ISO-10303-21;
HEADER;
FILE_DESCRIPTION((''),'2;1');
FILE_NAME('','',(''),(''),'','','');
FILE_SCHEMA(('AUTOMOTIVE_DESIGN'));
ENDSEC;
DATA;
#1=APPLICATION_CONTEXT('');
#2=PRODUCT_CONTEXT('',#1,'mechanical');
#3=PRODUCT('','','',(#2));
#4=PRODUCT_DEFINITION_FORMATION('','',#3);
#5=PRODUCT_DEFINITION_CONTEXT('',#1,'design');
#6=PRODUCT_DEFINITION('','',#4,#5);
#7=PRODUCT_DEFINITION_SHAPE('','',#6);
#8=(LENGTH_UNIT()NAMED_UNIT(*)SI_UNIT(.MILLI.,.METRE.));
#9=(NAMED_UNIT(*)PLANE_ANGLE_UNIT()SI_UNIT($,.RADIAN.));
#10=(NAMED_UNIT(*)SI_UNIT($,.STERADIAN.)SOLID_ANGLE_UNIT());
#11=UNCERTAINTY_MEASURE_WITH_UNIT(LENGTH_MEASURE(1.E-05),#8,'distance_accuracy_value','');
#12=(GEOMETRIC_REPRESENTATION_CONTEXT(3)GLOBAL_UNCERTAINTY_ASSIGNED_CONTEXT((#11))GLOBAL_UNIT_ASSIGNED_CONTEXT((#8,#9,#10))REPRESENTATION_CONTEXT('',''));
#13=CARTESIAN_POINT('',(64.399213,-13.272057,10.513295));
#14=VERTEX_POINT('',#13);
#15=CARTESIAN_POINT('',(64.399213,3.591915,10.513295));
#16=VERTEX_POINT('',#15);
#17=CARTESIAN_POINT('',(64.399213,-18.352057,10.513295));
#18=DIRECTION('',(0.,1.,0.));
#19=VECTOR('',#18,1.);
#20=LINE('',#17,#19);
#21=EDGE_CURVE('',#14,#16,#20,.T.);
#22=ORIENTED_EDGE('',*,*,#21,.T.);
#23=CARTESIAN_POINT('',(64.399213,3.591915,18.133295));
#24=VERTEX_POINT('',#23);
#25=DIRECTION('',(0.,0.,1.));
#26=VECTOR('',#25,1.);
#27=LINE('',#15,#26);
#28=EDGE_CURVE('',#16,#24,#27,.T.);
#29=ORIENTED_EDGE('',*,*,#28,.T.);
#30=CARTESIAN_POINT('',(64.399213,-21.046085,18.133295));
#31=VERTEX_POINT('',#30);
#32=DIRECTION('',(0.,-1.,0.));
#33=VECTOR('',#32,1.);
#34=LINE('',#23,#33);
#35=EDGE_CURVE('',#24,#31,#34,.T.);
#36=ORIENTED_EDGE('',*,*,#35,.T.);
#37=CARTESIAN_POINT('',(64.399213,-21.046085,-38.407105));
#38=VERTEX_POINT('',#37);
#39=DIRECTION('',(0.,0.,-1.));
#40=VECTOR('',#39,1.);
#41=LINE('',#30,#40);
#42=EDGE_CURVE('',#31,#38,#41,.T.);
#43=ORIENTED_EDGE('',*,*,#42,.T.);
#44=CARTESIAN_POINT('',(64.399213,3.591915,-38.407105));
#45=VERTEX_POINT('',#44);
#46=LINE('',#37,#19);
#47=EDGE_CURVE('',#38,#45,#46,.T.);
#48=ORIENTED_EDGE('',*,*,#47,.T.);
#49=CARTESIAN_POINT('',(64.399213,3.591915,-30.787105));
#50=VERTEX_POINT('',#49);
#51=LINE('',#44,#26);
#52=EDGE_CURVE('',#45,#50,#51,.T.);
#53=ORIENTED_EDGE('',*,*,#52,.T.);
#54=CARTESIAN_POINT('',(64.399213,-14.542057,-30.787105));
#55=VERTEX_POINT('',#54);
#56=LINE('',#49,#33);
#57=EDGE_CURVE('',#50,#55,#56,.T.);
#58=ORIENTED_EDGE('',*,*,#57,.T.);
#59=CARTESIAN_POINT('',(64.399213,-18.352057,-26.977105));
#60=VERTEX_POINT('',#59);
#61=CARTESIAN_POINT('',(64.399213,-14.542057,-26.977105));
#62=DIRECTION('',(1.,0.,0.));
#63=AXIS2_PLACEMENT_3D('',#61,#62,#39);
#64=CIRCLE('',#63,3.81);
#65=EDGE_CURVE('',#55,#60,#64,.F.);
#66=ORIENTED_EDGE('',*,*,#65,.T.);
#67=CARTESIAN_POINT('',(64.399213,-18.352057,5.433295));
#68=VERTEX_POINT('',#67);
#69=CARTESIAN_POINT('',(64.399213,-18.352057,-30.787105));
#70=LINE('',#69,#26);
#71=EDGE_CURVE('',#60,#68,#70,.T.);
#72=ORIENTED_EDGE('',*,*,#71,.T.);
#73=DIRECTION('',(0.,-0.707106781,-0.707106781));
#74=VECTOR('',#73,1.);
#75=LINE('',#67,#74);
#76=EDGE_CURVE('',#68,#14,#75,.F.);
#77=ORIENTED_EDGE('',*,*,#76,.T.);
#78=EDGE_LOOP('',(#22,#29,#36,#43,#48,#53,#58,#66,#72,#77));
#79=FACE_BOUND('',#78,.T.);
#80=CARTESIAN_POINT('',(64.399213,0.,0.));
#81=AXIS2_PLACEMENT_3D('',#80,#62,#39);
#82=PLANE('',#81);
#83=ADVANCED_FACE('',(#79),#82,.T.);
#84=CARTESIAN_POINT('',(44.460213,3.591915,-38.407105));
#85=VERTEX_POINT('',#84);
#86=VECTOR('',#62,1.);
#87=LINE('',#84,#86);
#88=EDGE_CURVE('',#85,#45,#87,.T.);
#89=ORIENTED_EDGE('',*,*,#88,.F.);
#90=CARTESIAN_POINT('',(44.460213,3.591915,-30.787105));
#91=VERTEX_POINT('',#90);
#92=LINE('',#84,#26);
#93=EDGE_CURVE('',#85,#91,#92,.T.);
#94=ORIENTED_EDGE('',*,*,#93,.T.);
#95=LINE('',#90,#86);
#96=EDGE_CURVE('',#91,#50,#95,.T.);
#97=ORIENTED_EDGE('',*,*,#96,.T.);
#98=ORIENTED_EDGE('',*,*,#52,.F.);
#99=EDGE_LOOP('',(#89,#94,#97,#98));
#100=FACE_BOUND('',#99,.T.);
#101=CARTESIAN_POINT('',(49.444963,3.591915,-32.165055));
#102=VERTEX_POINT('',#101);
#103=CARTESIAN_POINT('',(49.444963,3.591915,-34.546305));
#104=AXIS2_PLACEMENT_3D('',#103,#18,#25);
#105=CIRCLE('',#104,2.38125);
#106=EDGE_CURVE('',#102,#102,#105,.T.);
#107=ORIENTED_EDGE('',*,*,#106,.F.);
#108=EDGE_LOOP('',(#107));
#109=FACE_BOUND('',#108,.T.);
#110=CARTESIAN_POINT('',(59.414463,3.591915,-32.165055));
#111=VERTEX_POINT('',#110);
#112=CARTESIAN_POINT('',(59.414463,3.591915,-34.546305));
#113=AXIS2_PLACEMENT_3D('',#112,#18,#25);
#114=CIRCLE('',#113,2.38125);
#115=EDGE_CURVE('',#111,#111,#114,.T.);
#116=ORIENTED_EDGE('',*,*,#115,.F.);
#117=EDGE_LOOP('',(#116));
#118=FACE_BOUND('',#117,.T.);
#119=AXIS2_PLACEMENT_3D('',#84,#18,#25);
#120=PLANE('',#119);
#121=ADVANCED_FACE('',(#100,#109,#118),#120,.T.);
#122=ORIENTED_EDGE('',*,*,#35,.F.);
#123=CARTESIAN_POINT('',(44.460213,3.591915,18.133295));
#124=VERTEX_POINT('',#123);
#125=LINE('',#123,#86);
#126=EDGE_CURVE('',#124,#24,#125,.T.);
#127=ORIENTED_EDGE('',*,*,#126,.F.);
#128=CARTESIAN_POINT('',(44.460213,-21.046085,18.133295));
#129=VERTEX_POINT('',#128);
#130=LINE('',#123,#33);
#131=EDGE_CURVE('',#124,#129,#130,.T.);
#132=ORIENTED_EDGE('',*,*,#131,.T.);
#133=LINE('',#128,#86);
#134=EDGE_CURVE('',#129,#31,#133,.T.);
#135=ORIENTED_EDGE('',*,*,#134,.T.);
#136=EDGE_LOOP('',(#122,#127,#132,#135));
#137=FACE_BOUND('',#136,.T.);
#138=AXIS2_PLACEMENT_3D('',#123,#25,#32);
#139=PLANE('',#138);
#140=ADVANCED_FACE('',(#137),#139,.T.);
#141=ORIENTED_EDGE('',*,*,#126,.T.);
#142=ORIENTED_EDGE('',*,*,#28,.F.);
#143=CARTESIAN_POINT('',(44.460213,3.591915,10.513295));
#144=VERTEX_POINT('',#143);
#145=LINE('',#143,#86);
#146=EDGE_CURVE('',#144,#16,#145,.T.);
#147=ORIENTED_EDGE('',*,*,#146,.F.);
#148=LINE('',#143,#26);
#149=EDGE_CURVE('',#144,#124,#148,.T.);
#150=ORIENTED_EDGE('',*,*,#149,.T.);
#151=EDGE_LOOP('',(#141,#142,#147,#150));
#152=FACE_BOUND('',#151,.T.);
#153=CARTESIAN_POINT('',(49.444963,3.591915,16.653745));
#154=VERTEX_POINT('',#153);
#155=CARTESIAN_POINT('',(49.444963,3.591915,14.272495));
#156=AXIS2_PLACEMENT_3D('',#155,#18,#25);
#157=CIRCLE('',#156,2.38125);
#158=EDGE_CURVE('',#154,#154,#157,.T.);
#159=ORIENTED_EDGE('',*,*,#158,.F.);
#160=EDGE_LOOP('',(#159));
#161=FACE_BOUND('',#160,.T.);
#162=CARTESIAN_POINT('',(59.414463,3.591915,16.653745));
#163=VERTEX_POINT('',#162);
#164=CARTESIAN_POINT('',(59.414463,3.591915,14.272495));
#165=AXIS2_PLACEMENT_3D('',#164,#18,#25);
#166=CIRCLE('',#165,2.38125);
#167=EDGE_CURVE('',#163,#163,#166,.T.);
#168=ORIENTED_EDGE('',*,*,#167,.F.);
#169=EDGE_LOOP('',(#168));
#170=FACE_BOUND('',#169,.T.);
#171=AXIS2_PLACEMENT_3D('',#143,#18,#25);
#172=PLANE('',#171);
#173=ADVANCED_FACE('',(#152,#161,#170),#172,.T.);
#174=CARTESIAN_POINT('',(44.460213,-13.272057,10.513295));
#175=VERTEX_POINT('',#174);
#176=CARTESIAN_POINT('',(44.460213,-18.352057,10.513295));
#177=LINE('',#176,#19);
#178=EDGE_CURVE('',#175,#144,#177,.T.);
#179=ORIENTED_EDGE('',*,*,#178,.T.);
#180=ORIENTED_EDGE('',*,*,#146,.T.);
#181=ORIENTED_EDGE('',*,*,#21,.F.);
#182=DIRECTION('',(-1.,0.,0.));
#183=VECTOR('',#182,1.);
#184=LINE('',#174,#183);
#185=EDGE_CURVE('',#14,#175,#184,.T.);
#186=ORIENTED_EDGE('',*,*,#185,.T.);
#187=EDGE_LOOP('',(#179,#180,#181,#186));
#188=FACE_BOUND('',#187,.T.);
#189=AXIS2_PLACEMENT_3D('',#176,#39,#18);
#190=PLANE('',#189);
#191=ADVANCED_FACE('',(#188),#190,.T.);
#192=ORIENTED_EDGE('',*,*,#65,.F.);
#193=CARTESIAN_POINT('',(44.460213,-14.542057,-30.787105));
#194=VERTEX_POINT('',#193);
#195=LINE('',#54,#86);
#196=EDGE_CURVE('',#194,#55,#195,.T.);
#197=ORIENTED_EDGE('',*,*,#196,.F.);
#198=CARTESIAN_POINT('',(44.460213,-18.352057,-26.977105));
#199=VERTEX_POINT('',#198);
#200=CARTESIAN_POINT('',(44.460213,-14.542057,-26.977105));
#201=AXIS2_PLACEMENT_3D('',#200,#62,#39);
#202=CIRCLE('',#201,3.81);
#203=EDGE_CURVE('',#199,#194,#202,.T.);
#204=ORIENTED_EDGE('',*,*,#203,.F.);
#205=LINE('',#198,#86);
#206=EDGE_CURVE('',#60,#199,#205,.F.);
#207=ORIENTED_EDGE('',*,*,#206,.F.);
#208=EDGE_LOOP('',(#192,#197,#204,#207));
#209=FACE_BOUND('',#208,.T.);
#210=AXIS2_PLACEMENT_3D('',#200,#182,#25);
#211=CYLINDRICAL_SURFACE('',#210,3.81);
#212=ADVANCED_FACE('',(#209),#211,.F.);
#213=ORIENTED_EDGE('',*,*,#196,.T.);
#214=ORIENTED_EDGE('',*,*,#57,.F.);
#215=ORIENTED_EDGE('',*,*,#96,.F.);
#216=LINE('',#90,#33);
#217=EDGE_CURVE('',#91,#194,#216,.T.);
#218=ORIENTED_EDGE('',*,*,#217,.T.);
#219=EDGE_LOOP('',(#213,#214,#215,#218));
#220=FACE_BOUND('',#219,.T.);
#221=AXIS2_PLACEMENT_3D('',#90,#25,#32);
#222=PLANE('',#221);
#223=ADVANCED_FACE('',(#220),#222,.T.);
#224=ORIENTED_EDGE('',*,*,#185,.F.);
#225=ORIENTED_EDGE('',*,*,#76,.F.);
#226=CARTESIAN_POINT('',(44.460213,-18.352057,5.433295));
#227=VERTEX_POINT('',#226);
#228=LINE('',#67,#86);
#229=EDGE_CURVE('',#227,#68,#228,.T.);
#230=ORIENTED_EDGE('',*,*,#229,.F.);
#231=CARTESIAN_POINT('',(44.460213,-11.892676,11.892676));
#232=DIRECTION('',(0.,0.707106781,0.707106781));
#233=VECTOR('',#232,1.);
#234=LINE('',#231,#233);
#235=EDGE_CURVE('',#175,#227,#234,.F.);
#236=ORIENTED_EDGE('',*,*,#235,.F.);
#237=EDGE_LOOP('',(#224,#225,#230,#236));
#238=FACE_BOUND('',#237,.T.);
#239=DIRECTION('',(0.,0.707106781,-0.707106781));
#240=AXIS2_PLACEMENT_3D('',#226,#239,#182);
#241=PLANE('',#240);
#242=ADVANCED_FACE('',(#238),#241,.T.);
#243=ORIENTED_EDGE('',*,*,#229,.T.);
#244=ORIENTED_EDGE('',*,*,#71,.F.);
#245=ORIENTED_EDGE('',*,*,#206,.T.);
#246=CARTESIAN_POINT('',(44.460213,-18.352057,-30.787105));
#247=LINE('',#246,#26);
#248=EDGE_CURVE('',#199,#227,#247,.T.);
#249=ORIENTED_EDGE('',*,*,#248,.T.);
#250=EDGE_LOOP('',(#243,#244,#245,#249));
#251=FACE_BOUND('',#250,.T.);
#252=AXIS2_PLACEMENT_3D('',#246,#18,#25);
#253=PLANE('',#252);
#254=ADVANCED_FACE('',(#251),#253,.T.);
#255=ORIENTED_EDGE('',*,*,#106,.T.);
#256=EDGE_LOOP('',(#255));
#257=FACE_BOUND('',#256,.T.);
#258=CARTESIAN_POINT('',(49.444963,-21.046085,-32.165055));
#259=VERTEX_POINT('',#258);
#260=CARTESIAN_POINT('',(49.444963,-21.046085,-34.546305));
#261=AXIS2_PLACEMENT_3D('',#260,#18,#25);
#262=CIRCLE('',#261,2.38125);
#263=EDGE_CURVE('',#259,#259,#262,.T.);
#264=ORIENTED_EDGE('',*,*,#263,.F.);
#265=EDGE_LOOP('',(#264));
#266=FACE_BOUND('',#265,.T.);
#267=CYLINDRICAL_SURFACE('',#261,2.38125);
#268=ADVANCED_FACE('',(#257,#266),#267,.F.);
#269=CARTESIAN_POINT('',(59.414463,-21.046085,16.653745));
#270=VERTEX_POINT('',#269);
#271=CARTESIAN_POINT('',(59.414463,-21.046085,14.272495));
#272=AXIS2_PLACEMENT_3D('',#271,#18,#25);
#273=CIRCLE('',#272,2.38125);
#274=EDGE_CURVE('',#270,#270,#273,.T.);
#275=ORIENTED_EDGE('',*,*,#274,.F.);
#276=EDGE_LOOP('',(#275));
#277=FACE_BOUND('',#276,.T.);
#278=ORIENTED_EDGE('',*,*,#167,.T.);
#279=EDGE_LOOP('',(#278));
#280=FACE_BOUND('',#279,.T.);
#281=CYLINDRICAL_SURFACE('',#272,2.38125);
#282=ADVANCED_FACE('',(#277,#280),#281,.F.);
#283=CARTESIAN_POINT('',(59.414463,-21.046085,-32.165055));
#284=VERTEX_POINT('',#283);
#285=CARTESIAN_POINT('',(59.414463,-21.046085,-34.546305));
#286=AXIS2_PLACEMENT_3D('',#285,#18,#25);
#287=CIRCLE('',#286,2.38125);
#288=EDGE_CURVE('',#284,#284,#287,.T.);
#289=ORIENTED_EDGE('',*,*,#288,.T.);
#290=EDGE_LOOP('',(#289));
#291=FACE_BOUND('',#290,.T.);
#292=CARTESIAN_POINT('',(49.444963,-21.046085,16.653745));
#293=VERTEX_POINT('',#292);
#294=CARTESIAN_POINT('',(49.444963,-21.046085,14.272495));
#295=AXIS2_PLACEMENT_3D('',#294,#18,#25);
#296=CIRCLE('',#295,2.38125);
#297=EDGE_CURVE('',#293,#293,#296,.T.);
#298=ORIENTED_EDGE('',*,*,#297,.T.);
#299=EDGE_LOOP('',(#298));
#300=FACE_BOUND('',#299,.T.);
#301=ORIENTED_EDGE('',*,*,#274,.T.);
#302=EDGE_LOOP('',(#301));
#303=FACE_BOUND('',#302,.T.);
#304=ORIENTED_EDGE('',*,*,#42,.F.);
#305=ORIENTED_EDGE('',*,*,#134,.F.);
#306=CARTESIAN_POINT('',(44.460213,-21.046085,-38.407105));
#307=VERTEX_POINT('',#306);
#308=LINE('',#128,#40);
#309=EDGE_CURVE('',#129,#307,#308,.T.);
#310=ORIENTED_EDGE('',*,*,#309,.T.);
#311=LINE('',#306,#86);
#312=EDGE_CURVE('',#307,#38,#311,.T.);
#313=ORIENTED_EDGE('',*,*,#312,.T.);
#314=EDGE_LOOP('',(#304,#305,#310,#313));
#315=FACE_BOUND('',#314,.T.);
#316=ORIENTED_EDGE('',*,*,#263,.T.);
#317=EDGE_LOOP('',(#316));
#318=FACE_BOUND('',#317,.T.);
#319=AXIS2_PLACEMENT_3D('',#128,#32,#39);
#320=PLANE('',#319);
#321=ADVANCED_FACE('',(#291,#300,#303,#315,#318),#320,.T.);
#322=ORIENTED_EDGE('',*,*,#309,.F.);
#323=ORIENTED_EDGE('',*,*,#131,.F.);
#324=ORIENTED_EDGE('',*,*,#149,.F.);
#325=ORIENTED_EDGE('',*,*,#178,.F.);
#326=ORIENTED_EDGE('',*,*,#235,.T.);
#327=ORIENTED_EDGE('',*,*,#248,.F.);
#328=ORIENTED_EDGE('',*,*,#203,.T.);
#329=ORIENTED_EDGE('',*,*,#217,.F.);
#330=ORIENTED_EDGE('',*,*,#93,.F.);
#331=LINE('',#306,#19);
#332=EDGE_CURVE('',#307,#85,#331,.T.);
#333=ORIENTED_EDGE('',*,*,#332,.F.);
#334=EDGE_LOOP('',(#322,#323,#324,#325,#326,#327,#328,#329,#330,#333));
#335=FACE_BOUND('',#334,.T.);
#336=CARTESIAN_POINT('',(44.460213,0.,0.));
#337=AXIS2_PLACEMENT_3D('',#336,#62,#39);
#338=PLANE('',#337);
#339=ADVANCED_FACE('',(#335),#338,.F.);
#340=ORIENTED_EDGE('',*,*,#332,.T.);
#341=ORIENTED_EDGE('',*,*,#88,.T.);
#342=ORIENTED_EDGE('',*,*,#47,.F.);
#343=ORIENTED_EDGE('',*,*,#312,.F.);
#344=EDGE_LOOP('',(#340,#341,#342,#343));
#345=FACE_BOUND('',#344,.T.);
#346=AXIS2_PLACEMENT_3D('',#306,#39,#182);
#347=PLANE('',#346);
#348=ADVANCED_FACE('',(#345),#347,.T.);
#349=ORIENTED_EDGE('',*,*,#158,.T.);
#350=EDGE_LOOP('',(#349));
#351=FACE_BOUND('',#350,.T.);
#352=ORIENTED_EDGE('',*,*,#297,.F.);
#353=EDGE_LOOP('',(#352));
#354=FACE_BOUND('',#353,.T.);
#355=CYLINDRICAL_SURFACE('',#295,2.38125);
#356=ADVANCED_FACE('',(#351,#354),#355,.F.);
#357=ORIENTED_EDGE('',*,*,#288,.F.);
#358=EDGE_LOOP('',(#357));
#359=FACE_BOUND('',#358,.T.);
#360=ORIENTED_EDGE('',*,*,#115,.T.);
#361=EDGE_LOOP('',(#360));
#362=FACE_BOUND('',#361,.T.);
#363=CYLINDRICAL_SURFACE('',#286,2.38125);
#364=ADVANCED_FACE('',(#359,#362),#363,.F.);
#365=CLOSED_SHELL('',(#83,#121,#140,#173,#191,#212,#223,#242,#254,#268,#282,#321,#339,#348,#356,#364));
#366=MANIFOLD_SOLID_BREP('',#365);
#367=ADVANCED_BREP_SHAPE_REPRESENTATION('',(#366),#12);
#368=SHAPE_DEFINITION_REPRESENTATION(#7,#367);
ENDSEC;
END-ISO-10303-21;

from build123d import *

# Parameters (mm, degrees)
BOSS_EXTRUDE3_START     = 44.460213
BOSS_EXTRUDE3_DEPTH     = 19.939
CHAMFER2_SIZE           = 5.08
FILLET2_R               = 3.81
SKETCH4_R               = 2.38125
CUT_EXTRUDE1_DEPTH      = 4.591914717
CUT_EXTRUDE1_DEPTH_BACK = 22.046085283


with BuildPart() as part:
    # Sketch3 → Boss-Extrude3 (new body)
    with BuildSketch(Plane(origin=(0, 0, 0), x_dir=(0, 0, -1), z_dir=(1, 0, 0)).offset(BOSS_EXTRUDE3_START)):
        Polygon((30.787104637, 3.591914717), (30.787104637, -18.352057258), (-10.513295363, -18.352057258), (-10.513295363, 3.591914717), (-18.133295363, 3.591914717), (-18.133295363, -21.046085283), (38.407104637, -21.046085283), (38.407104637, 3.591914717), align=None)
    extrude(amount=BOSS_EXTRUDE3_DEPTH)

    # Chamfer2
    chamfer2_edges = [part.edges().sort_by_distance(p)[0] for p in [
        (54.429713, -18.352057258, 10.513295363),
    ]]
    chamfer(chamfer2_edges, length=CHAMFER2_SIZE)

    # Fillet2
    fillet2_edges = [part.edges().sort_by_distance(p)[0] for p in [
        (54.429713, -18.352057258, -30.787104637),
    ]]
    fillet(fillet2_edges, radius=FILLET2_R)

    # Sketch4 → Cut-Extrude1 (cut, two sides)
    with BuildSketch(Plane(origin=(0, 0, 0), x_dir=(1, 0, 0), z_dir=(0, 1, 0))) as cut_extrude1_sk:
        with Locations((49.444963475, 34.546304637)):
            Circle(SKETCH4_R)
        with Locations((59.414463475, 34.546304637)):
            Circle(SKETCH4_R)
        with Locations((49.444963475, -14.272495363)):
            Circle(SKETCH4_R)
        with Locations((59.414463475, -14.272495363)):
            Circle(SKETCH4_R)
    extrude(amount=CUT_EXTRUDE1_DEPTH, mode=Mode.SUBTRACT)
    extrude(cut_extrude1_sk.sketch, amount=-CUT_EXTRUDE1_DEPTH_BACK, mode=Mode.SUBTRACT)


solid = part.part
